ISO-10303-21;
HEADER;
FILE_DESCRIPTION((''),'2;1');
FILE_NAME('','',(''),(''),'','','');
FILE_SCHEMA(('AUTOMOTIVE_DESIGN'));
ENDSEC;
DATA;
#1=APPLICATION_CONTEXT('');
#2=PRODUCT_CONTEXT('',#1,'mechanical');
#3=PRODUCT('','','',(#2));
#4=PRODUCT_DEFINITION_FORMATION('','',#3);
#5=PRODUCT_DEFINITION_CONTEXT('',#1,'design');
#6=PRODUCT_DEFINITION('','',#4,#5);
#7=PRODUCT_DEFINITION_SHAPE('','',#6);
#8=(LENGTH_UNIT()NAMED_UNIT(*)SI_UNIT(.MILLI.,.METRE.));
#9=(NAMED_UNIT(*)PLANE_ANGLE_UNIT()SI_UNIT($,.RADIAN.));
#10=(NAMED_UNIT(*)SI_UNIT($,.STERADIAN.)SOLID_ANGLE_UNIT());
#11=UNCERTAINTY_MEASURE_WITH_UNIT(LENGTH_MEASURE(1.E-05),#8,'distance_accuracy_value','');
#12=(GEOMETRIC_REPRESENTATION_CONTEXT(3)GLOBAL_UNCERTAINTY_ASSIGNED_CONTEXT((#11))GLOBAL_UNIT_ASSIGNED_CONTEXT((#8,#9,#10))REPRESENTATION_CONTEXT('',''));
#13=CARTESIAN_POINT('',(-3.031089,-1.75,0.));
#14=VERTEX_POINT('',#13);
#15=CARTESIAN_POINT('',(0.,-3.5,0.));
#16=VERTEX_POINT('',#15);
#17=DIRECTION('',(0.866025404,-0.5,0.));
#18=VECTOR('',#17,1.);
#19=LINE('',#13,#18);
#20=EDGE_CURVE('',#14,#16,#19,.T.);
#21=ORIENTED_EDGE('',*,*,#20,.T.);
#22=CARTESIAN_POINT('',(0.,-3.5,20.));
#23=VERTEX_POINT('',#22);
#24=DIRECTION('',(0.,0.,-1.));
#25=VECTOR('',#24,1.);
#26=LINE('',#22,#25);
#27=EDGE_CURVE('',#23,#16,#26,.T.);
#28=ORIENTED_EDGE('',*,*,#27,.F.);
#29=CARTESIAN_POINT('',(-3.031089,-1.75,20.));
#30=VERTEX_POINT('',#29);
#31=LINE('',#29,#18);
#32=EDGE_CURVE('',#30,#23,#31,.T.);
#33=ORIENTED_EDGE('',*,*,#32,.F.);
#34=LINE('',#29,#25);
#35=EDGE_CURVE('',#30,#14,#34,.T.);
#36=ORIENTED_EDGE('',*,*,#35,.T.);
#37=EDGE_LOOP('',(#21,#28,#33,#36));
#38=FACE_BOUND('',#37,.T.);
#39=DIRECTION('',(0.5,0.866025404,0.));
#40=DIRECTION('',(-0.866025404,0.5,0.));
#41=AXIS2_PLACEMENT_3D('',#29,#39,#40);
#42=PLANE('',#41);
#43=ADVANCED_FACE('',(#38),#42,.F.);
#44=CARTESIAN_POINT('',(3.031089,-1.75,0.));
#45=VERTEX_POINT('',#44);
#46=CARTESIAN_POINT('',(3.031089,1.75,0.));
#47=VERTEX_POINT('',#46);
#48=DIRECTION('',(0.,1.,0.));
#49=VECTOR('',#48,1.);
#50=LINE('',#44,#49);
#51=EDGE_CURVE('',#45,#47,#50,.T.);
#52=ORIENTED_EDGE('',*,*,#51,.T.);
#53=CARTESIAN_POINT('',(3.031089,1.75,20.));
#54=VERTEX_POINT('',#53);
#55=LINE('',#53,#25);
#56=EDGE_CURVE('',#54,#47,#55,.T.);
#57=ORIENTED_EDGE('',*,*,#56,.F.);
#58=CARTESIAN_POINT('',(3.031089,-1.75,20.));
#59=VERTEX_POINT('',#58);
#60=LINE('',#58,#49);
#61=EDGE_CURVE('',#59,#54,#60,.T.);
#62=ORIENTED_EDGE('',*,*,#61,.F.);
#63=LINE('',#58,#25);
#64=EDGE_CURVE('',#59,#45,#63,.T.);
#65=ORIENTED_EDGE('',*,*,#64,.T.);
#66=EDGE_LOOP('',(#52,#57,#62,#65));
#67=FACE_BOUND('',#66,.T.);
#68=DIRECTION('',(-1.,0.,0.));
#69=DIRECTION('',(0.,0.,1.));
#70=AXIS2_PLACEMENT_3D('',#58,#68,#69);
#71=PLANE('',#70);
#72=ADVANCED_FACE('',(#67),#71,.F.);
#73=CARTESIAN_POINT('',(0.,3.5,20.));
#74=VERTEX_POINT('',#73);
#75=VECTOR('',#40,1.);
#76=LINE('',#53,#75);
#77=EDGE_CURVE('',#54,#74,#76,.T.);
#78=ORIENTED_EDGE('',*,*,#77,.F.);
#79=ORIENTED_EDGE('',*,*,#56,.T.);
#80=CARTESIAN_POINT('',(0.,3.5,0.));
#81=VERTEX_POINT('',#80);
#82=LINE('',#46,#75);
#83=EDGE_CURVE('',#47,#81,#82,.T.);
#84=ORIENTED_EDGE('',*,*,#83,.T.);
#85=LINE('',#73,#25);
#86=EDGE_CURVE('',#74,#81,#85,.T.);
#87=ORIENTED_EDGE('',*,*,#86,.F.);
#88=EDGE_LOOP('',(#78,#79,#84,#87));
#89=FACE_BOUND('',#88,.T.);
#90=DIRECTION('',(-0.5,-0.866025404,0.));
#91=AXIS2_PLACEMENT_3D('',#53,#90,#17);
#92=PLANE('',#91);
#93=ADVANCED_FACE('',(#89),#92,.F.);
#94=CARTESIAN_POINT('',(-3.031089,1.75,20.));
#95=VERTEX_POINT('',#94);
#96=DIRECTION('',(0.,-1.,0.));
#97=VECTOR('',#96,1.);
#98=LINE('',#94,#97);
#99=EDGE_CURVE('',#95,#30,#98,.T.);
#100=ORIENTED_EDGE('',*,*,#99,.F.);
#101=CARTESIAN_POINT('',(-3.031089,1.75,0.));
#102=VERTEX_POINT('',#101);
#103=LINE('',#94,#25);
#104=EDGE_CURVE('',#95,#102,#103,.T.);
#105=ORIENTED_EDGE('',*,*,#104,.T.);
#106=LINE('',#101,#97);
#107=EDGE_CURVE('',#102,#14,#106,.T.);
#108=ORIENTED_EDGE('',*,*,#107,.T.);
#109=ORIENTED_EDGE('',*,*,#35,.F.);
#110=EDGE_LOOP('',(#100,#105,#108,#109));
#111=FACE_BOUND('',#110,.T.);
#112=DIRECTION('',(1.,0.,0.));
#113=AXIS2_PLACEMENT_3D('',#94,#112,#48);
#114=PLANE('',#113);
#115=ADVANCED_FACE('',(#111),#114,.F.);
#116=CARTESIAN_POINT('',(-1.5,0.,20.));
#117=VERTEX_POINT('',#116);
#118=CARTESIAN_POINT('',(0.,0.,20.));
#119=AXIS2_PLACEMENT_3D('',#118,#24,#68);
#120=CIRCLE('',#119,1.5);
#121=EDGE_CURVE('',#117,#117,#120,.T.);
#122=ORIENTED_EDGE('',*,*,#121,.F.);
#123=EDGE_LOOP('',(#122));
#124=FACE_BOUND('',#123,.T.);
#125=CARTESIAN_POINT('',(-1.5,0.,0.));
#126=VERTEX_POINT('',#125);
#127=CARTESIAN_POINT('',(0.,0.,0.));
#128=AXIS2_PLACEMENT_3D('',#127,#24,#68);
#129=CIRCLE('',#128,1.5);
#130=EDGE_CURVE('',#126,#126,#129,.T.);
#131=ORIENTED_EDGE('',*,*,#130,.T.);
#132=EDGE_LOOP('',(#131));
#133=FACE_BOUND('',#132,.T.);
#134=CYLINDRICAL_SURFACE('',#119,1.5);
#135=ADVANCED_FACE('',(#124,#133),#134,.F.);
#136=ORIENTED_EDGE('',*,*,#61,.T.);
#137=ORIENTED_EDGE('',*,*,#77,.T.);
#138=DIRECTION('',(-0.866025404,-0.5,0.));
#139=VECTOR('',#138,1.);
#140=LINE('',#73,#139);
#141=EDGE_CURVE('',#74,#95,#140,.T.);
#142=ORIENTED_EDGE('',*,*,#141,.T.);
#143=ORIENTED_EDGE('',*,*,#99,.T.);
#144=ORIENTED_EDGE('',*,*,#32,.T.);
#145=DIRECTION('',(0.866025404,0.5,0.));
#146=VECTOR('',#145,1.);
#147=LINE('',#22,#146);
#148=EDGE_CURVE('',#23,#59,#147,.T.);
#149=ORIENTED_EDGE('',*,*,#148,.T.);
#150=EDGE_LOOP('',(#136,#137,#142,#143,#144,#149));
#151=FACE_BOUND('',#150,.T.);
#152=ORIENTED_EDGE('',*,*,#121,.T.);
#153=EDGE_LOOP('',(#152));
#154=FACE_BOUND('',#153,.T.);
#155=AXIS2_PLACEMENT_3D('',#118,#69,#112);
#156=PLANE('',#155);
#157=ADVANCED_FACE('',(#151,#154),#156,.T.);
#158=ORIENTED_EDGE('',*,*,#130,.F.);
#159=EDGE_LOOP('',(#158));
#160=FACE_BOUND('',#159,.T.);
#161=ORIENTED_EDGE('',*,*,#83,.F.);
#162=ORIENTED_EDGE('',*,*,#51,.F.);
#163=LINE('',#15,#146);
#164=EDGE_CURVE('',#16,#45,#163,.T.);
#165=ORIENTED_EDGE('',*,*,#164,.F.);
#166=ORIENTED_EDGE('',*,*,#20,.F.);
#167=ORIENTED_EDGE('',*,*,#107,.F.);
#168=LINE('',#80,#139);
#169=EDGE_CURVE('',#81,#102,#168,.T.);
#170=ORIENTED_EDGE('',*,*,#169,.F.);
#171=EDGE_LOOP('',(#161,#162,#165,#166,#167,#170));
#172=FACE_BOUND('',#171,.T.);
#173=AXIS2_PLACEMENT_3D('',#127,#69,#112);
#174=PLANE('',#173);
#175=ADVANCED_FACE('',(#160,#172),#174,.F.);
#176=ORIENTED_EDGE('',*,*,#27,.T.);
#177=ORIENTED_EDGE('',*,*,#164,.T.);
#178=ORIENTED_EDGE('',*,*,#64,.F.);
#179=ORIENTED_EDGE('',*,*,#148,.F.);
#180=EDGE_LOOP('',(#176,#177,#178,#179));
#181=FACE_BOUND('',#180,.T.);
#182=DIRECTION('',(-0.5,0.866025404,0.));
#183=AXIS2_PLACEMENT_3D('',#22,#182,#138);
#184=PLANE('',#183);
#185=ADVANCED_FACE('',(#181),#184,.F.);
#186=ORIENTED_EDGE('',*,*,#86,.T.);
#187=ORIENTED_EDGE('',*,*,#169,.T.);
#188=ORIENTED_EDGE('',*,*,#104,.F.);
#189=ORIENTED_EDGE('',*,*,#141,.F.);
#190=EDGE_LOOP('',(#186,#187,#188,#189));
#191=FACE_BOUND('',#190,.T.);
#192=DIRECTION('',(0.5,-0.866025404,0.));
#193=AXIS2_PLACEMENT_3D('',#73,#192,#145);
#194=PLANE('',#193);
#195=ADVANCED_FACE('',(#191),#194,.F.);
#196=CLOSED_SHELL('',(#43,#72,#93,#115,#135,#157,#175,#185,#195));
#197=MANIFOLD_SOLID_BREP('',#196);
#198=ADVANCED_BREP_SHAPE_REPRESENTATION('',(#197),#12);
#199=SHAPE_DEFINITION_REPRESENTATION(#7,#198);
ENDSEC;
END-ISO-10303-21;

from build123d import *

# Parameters (mm, degrees)
BOSS_EXTRUDE1_DEPTH = 20
SKETCH3_R           = 1.5
CUT_EXTRUDE1_DEPTH  = 20


with BuildPart() as part:
    # Sketch2 → Boss-Extrude1 (new body)
    with BuildSketch(Plane.XY):
        Polygon((0, -3.5), (3.031088913, -1.75), (3.031088913, 1.75), (0, 3.5), (-3.031088913, 1.75), (-3.031088913, -1.75), align=None)
    extrude(amount=BOSS_EXTRUDE1_DEPTH)

    # Sketch3 → Cut-Extrude1 (cut)
    with BuildSketch(Plane(origin=(0, 0, 0), x_dir=(-1, 0, 0), z_dir=(0, 0, -1))):
        Circle(SKETCH3_R)
    extrude(amount=-CUT_EXTRUDE1_DEPTH, mode=Mode.SUBTRACT)


solid = part.part
